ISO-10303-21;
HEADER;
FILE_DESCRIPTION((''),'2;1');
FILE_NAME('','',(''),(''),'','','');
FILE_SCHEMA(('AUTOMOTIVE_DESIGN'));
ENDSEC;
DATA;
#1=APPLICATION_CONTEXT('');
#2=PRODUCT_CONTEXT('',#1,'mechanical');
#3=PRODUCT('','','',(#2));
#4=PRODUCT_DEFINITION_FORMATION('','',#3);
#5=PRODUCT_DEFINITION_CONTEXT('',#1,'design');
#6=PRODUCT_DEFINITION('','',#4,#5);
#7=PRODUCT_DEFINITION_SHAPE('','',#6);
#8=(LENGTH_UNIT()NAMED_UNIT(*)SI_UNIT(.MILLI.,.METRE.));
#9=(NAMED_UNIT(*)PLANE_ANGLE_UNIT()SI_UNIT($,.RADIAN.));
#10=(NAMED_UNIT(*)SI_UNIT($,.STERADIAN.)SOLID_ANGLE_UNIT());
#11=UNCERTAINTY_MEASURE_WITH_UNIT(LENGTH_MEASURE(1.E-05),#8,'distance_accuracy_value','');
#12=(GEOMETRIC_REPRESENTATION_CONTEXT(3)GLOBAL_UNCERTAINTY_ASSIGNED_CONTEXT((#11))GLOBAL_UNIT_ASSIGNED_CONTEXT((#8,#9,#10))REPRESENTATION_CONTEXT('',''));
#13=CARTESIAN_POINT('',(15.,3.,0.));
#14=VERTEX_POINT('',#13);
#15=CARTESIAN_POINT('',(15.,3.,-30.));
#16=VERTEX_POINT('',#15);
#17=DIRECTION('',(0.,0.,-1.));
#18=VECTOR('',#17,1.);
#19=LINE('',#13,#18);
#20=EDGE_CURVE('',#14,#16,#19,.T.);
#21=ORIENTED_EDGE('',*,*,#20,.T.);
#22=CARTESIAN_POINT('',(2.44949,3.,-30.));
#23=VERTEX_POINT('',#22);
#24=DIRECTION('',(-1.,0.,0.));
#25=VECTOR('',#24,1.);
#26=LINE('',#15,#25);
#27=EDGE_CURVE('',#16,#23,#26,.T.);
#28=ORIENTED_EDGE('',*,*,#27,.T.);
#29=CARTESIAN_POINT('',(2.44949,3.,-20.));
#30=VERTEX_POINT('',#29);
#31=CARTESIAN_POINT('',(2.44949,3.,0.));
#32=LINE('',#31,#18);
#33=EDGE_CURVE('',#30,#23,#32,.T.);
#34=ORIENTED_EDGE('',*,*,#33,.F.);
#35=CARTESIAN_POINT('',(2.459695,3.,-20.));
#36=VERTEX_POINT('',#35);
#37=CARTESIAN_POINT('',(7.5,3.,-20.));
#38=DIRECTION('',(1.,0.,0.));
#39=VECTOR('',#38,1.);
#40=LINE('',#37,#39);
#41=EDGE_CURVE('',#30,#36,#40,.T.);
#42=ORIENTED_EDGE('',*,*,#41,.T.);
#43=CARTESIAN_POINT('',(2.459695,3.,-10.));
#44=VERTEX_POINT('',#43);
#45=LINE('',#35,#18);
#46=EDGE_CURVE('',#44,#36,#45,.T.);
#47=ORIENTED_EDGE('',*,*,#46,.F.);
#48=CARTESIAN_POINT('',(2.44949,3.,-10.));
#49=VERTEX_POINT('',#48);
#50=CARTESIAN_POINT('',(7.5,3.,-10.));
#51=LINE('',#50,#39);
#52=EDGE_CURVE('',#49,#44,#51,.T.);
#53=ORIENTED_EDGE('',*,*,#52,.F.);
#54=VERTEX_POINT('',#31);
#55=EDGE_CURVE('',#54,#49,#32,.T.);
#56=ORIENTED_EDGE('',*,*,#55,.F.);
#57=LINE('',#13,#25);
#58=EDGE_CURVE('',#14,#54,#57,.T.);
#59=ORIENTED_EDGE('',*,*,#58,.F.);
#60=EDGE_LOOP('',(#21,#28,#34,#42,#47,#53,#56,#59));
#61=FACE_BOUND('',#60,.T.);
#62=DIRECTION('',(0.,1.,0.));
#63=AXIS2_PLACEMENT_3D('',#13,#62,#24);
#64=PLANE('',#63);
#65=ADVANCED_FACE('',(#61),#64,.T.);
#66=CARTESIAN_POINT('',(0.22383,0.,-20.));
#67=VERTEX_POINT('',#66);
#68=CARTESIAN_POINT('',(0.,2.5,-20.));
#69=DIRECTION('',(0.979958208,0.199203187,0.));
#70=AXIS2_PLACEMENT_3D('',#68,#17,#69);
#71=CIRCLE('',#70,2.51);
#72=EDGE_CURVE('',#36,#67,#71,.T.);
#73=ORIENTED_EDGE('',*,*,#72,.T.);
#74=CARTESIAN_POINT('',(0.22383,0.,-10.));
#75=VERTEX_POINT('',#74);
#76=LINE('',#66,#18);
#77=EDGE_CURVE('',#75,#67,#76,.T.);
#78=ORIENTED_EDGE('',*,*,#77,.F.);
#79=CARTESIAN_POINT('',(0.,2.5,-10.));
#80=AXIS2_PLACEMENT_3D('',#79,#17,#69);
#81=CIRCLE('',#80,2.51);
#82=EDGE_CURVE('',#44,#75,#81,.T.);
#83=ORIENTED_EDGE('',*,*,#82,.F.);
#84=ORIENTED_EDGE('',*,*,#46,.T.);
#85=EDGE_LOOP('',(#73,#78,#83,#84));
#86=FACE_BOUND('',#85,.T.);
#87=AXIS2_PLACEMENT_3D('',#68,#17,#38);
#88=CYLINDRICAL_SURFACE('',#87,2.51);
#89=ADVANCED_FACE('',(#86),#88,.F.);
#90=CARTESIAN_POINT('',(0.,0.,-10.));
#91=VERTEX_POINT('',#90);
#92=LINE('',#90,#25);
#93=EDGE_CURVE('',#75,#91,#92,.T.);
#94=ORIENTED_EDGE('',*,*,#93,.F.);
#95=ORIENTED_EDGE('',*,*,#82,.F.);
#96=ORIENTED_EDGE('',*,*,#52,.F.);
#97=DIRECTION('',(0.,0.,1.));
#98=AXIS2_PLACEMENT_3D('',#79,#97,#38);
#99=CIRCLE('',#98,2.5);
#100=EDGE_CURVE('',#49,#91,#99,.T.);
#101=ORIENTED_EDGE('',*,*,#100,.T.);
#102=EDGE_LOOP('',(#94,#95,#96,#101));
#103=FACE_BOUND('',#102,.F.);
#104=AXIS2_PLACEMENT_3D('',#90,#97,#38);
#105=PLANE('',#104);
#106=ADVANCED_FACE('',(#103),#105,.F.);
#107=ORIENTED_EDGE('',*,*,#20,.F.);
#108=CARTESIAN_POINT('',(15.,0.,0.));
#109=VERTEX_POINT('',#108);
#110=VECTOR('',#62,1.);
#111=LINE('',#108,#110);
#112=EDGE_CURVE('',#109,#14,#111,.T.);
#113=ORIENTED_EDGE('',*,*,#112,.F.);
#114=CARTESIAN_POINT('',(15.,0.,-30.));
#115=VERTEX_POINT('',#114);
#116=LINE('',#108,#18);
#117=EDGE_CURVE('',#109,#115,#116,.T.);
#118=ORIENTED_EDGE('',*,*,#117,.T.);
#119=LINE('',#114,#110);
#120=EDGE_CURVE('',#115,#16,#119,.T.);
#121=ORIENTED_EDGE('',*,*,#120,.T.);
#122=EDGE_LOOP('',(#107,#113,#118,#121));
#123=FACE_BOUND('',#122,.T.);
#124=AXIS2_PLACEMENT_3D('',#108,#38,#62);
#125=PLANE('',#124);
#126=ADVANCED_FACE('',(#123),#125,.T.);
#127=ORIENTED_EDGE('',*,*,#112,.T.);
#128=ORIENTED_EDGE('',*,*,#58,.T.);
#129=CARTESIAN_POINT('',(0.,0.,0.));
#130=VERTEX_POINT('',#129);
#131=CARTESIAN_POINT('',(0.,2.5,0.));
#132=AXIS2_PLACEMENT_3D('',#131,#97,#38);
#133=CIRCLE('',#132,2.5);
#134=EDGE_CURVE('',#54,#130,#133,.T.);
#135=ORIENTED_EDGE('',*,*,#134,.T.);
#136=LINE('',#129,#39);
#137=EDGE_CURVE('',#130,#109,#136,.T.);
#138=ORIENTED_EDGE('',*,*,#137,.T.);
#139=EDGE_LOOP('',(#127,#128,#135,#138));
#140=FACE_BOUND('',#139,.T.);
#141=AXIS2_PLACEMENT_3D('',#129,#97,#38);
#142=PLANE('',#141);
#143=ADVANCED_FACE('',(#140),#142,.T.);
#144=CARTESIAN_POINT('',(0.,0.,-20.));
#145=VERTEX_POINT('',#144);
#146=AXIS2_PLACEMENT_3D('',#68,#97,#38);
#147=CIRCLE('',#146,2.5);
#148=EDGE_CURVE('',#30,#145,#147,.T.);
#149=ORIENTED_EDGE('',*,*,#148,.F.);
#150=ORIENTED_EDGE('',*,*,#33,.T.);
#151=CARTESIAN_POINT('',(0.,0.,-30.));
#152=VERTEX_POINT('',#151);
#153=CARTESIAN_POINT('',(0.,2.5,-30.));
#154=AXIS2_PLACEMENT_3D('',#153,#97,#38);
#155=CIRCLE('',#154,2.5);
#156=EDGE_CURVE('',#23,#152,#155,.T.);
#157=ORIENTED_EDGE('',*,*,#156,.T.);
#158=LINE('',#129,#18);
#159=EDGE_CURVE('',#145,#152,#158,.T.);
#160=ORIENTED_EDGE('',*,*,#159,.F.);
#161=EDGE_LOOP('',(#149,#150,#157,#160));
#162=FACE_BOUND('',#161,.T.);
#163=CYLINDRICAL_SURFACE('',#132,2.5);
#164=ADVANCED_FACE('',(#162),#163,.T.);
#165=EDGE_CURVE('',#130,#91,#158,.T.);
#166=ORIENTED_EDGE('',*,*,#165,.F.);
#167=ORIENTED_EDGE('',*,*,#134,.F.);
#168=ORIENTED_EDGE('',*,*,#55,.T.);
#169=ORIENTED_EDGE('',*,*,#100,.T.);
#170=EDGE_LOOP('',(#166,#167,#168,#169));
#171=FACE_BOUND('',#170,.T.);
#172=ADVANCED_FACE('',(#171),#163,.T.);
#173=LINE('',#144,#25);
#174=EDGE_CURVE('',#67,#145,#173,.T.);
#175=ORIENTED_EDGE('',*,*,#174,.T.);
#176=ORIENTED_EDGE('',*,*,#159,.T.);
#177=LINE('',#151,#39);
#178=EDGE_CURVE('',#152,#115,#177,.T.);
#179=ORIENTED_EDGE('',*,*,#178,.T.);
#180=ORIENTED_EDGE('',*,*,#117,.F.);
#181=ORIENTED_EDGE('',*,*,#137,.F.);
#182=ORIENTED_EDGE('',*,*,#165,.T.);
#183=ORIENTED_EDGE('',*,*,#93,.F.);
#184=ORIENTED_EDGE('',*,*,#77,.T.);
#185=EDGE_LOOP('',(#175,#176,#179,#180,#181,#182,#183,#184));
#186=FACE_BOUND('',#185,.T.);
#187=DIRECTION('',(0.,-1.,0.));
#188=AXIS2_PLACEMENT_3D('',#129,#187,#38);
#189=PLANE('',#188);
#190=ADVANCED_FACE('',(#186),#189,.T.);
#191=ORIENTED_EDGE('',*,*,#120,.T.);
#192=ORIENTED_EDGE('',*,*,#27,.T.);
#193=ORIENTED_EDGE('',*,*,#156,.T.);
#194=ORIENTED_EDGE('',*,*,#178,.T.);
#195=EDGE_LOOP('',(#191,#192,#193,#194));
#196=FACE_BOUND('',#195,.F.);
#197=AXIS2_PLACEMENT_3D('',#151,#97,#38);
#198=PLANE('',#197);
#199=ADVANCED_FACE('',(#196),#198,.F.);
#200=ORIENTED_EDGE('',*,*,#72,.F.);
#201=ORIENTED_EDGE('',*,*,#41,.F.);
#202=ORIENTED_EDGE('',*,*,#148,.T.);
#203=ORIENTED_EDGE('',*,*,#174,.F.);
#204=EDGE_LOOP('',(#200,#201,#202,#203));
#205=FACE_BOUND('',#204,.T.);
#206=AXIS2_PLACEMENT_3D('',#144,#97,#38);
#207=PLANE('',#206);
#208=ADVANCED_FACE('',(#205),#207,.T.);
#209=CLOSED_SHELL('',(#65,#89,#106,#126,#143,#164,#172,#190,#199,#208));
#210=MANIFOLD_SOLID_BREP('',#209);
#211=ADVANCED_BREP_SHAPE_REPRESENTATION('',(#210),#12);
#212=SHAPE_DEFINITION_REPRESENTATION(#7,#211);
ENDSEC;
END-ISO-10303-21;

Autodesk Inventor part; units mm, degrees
ref_plane "YZ Plane" through (0, 0, 0) normal (1, 0, 0) x (0, 1, 0)
ref_plane "XZ Plane" through (0, 0, 0) normal (0, 1, 0) x (-1, 0, 0)
ref_plane "XY Plane" through (0, 0, 0) normal (0, 0, 1) x (1, 0, 0)
sketch "Sketch1" plane through (0, 0, 0) normal (0, 0, 1) x (1, 0, 0)
  line L0 (0, 0) -> (15, 0)
  line L1 (15, 0) -> (15, 3)
  line L2 (15, 3) -> (0, 3)
  line L3 (0, 3) -> (0, 0)
  circle A0 centre (0, 2.5) radius 2.5
  point P0 (0, 1.5)
  point P1 (2.4495, 3)
  point P2 (2.4495, 3)
  dimension "d0" = 15
  dimension "d1" = 3
  dimension "d2" = 5
extrude "Extrusion1" add sketch "Sketch1" against normal blind 30
ref_plane "Work Plane1" through (0, 0, -20) normal (0, 0, 1) x (1, 0, 0)
sketch "Sketch2" plane through (0, 0, -20) normal (0, 0, 1) x (1, 0, 0)
  arc A0 (2.4495, 3) -> (0, 0) centre (0, 2.5) ccw projected
  circle A1 centre (0, 2.5) radius 2.51
  dimension "d6" = 5.02
extrude "Extrusion2" cut sketch "Sketch2" along normal blind 10
properties part number "Clip2" material "Stainless Steel"
